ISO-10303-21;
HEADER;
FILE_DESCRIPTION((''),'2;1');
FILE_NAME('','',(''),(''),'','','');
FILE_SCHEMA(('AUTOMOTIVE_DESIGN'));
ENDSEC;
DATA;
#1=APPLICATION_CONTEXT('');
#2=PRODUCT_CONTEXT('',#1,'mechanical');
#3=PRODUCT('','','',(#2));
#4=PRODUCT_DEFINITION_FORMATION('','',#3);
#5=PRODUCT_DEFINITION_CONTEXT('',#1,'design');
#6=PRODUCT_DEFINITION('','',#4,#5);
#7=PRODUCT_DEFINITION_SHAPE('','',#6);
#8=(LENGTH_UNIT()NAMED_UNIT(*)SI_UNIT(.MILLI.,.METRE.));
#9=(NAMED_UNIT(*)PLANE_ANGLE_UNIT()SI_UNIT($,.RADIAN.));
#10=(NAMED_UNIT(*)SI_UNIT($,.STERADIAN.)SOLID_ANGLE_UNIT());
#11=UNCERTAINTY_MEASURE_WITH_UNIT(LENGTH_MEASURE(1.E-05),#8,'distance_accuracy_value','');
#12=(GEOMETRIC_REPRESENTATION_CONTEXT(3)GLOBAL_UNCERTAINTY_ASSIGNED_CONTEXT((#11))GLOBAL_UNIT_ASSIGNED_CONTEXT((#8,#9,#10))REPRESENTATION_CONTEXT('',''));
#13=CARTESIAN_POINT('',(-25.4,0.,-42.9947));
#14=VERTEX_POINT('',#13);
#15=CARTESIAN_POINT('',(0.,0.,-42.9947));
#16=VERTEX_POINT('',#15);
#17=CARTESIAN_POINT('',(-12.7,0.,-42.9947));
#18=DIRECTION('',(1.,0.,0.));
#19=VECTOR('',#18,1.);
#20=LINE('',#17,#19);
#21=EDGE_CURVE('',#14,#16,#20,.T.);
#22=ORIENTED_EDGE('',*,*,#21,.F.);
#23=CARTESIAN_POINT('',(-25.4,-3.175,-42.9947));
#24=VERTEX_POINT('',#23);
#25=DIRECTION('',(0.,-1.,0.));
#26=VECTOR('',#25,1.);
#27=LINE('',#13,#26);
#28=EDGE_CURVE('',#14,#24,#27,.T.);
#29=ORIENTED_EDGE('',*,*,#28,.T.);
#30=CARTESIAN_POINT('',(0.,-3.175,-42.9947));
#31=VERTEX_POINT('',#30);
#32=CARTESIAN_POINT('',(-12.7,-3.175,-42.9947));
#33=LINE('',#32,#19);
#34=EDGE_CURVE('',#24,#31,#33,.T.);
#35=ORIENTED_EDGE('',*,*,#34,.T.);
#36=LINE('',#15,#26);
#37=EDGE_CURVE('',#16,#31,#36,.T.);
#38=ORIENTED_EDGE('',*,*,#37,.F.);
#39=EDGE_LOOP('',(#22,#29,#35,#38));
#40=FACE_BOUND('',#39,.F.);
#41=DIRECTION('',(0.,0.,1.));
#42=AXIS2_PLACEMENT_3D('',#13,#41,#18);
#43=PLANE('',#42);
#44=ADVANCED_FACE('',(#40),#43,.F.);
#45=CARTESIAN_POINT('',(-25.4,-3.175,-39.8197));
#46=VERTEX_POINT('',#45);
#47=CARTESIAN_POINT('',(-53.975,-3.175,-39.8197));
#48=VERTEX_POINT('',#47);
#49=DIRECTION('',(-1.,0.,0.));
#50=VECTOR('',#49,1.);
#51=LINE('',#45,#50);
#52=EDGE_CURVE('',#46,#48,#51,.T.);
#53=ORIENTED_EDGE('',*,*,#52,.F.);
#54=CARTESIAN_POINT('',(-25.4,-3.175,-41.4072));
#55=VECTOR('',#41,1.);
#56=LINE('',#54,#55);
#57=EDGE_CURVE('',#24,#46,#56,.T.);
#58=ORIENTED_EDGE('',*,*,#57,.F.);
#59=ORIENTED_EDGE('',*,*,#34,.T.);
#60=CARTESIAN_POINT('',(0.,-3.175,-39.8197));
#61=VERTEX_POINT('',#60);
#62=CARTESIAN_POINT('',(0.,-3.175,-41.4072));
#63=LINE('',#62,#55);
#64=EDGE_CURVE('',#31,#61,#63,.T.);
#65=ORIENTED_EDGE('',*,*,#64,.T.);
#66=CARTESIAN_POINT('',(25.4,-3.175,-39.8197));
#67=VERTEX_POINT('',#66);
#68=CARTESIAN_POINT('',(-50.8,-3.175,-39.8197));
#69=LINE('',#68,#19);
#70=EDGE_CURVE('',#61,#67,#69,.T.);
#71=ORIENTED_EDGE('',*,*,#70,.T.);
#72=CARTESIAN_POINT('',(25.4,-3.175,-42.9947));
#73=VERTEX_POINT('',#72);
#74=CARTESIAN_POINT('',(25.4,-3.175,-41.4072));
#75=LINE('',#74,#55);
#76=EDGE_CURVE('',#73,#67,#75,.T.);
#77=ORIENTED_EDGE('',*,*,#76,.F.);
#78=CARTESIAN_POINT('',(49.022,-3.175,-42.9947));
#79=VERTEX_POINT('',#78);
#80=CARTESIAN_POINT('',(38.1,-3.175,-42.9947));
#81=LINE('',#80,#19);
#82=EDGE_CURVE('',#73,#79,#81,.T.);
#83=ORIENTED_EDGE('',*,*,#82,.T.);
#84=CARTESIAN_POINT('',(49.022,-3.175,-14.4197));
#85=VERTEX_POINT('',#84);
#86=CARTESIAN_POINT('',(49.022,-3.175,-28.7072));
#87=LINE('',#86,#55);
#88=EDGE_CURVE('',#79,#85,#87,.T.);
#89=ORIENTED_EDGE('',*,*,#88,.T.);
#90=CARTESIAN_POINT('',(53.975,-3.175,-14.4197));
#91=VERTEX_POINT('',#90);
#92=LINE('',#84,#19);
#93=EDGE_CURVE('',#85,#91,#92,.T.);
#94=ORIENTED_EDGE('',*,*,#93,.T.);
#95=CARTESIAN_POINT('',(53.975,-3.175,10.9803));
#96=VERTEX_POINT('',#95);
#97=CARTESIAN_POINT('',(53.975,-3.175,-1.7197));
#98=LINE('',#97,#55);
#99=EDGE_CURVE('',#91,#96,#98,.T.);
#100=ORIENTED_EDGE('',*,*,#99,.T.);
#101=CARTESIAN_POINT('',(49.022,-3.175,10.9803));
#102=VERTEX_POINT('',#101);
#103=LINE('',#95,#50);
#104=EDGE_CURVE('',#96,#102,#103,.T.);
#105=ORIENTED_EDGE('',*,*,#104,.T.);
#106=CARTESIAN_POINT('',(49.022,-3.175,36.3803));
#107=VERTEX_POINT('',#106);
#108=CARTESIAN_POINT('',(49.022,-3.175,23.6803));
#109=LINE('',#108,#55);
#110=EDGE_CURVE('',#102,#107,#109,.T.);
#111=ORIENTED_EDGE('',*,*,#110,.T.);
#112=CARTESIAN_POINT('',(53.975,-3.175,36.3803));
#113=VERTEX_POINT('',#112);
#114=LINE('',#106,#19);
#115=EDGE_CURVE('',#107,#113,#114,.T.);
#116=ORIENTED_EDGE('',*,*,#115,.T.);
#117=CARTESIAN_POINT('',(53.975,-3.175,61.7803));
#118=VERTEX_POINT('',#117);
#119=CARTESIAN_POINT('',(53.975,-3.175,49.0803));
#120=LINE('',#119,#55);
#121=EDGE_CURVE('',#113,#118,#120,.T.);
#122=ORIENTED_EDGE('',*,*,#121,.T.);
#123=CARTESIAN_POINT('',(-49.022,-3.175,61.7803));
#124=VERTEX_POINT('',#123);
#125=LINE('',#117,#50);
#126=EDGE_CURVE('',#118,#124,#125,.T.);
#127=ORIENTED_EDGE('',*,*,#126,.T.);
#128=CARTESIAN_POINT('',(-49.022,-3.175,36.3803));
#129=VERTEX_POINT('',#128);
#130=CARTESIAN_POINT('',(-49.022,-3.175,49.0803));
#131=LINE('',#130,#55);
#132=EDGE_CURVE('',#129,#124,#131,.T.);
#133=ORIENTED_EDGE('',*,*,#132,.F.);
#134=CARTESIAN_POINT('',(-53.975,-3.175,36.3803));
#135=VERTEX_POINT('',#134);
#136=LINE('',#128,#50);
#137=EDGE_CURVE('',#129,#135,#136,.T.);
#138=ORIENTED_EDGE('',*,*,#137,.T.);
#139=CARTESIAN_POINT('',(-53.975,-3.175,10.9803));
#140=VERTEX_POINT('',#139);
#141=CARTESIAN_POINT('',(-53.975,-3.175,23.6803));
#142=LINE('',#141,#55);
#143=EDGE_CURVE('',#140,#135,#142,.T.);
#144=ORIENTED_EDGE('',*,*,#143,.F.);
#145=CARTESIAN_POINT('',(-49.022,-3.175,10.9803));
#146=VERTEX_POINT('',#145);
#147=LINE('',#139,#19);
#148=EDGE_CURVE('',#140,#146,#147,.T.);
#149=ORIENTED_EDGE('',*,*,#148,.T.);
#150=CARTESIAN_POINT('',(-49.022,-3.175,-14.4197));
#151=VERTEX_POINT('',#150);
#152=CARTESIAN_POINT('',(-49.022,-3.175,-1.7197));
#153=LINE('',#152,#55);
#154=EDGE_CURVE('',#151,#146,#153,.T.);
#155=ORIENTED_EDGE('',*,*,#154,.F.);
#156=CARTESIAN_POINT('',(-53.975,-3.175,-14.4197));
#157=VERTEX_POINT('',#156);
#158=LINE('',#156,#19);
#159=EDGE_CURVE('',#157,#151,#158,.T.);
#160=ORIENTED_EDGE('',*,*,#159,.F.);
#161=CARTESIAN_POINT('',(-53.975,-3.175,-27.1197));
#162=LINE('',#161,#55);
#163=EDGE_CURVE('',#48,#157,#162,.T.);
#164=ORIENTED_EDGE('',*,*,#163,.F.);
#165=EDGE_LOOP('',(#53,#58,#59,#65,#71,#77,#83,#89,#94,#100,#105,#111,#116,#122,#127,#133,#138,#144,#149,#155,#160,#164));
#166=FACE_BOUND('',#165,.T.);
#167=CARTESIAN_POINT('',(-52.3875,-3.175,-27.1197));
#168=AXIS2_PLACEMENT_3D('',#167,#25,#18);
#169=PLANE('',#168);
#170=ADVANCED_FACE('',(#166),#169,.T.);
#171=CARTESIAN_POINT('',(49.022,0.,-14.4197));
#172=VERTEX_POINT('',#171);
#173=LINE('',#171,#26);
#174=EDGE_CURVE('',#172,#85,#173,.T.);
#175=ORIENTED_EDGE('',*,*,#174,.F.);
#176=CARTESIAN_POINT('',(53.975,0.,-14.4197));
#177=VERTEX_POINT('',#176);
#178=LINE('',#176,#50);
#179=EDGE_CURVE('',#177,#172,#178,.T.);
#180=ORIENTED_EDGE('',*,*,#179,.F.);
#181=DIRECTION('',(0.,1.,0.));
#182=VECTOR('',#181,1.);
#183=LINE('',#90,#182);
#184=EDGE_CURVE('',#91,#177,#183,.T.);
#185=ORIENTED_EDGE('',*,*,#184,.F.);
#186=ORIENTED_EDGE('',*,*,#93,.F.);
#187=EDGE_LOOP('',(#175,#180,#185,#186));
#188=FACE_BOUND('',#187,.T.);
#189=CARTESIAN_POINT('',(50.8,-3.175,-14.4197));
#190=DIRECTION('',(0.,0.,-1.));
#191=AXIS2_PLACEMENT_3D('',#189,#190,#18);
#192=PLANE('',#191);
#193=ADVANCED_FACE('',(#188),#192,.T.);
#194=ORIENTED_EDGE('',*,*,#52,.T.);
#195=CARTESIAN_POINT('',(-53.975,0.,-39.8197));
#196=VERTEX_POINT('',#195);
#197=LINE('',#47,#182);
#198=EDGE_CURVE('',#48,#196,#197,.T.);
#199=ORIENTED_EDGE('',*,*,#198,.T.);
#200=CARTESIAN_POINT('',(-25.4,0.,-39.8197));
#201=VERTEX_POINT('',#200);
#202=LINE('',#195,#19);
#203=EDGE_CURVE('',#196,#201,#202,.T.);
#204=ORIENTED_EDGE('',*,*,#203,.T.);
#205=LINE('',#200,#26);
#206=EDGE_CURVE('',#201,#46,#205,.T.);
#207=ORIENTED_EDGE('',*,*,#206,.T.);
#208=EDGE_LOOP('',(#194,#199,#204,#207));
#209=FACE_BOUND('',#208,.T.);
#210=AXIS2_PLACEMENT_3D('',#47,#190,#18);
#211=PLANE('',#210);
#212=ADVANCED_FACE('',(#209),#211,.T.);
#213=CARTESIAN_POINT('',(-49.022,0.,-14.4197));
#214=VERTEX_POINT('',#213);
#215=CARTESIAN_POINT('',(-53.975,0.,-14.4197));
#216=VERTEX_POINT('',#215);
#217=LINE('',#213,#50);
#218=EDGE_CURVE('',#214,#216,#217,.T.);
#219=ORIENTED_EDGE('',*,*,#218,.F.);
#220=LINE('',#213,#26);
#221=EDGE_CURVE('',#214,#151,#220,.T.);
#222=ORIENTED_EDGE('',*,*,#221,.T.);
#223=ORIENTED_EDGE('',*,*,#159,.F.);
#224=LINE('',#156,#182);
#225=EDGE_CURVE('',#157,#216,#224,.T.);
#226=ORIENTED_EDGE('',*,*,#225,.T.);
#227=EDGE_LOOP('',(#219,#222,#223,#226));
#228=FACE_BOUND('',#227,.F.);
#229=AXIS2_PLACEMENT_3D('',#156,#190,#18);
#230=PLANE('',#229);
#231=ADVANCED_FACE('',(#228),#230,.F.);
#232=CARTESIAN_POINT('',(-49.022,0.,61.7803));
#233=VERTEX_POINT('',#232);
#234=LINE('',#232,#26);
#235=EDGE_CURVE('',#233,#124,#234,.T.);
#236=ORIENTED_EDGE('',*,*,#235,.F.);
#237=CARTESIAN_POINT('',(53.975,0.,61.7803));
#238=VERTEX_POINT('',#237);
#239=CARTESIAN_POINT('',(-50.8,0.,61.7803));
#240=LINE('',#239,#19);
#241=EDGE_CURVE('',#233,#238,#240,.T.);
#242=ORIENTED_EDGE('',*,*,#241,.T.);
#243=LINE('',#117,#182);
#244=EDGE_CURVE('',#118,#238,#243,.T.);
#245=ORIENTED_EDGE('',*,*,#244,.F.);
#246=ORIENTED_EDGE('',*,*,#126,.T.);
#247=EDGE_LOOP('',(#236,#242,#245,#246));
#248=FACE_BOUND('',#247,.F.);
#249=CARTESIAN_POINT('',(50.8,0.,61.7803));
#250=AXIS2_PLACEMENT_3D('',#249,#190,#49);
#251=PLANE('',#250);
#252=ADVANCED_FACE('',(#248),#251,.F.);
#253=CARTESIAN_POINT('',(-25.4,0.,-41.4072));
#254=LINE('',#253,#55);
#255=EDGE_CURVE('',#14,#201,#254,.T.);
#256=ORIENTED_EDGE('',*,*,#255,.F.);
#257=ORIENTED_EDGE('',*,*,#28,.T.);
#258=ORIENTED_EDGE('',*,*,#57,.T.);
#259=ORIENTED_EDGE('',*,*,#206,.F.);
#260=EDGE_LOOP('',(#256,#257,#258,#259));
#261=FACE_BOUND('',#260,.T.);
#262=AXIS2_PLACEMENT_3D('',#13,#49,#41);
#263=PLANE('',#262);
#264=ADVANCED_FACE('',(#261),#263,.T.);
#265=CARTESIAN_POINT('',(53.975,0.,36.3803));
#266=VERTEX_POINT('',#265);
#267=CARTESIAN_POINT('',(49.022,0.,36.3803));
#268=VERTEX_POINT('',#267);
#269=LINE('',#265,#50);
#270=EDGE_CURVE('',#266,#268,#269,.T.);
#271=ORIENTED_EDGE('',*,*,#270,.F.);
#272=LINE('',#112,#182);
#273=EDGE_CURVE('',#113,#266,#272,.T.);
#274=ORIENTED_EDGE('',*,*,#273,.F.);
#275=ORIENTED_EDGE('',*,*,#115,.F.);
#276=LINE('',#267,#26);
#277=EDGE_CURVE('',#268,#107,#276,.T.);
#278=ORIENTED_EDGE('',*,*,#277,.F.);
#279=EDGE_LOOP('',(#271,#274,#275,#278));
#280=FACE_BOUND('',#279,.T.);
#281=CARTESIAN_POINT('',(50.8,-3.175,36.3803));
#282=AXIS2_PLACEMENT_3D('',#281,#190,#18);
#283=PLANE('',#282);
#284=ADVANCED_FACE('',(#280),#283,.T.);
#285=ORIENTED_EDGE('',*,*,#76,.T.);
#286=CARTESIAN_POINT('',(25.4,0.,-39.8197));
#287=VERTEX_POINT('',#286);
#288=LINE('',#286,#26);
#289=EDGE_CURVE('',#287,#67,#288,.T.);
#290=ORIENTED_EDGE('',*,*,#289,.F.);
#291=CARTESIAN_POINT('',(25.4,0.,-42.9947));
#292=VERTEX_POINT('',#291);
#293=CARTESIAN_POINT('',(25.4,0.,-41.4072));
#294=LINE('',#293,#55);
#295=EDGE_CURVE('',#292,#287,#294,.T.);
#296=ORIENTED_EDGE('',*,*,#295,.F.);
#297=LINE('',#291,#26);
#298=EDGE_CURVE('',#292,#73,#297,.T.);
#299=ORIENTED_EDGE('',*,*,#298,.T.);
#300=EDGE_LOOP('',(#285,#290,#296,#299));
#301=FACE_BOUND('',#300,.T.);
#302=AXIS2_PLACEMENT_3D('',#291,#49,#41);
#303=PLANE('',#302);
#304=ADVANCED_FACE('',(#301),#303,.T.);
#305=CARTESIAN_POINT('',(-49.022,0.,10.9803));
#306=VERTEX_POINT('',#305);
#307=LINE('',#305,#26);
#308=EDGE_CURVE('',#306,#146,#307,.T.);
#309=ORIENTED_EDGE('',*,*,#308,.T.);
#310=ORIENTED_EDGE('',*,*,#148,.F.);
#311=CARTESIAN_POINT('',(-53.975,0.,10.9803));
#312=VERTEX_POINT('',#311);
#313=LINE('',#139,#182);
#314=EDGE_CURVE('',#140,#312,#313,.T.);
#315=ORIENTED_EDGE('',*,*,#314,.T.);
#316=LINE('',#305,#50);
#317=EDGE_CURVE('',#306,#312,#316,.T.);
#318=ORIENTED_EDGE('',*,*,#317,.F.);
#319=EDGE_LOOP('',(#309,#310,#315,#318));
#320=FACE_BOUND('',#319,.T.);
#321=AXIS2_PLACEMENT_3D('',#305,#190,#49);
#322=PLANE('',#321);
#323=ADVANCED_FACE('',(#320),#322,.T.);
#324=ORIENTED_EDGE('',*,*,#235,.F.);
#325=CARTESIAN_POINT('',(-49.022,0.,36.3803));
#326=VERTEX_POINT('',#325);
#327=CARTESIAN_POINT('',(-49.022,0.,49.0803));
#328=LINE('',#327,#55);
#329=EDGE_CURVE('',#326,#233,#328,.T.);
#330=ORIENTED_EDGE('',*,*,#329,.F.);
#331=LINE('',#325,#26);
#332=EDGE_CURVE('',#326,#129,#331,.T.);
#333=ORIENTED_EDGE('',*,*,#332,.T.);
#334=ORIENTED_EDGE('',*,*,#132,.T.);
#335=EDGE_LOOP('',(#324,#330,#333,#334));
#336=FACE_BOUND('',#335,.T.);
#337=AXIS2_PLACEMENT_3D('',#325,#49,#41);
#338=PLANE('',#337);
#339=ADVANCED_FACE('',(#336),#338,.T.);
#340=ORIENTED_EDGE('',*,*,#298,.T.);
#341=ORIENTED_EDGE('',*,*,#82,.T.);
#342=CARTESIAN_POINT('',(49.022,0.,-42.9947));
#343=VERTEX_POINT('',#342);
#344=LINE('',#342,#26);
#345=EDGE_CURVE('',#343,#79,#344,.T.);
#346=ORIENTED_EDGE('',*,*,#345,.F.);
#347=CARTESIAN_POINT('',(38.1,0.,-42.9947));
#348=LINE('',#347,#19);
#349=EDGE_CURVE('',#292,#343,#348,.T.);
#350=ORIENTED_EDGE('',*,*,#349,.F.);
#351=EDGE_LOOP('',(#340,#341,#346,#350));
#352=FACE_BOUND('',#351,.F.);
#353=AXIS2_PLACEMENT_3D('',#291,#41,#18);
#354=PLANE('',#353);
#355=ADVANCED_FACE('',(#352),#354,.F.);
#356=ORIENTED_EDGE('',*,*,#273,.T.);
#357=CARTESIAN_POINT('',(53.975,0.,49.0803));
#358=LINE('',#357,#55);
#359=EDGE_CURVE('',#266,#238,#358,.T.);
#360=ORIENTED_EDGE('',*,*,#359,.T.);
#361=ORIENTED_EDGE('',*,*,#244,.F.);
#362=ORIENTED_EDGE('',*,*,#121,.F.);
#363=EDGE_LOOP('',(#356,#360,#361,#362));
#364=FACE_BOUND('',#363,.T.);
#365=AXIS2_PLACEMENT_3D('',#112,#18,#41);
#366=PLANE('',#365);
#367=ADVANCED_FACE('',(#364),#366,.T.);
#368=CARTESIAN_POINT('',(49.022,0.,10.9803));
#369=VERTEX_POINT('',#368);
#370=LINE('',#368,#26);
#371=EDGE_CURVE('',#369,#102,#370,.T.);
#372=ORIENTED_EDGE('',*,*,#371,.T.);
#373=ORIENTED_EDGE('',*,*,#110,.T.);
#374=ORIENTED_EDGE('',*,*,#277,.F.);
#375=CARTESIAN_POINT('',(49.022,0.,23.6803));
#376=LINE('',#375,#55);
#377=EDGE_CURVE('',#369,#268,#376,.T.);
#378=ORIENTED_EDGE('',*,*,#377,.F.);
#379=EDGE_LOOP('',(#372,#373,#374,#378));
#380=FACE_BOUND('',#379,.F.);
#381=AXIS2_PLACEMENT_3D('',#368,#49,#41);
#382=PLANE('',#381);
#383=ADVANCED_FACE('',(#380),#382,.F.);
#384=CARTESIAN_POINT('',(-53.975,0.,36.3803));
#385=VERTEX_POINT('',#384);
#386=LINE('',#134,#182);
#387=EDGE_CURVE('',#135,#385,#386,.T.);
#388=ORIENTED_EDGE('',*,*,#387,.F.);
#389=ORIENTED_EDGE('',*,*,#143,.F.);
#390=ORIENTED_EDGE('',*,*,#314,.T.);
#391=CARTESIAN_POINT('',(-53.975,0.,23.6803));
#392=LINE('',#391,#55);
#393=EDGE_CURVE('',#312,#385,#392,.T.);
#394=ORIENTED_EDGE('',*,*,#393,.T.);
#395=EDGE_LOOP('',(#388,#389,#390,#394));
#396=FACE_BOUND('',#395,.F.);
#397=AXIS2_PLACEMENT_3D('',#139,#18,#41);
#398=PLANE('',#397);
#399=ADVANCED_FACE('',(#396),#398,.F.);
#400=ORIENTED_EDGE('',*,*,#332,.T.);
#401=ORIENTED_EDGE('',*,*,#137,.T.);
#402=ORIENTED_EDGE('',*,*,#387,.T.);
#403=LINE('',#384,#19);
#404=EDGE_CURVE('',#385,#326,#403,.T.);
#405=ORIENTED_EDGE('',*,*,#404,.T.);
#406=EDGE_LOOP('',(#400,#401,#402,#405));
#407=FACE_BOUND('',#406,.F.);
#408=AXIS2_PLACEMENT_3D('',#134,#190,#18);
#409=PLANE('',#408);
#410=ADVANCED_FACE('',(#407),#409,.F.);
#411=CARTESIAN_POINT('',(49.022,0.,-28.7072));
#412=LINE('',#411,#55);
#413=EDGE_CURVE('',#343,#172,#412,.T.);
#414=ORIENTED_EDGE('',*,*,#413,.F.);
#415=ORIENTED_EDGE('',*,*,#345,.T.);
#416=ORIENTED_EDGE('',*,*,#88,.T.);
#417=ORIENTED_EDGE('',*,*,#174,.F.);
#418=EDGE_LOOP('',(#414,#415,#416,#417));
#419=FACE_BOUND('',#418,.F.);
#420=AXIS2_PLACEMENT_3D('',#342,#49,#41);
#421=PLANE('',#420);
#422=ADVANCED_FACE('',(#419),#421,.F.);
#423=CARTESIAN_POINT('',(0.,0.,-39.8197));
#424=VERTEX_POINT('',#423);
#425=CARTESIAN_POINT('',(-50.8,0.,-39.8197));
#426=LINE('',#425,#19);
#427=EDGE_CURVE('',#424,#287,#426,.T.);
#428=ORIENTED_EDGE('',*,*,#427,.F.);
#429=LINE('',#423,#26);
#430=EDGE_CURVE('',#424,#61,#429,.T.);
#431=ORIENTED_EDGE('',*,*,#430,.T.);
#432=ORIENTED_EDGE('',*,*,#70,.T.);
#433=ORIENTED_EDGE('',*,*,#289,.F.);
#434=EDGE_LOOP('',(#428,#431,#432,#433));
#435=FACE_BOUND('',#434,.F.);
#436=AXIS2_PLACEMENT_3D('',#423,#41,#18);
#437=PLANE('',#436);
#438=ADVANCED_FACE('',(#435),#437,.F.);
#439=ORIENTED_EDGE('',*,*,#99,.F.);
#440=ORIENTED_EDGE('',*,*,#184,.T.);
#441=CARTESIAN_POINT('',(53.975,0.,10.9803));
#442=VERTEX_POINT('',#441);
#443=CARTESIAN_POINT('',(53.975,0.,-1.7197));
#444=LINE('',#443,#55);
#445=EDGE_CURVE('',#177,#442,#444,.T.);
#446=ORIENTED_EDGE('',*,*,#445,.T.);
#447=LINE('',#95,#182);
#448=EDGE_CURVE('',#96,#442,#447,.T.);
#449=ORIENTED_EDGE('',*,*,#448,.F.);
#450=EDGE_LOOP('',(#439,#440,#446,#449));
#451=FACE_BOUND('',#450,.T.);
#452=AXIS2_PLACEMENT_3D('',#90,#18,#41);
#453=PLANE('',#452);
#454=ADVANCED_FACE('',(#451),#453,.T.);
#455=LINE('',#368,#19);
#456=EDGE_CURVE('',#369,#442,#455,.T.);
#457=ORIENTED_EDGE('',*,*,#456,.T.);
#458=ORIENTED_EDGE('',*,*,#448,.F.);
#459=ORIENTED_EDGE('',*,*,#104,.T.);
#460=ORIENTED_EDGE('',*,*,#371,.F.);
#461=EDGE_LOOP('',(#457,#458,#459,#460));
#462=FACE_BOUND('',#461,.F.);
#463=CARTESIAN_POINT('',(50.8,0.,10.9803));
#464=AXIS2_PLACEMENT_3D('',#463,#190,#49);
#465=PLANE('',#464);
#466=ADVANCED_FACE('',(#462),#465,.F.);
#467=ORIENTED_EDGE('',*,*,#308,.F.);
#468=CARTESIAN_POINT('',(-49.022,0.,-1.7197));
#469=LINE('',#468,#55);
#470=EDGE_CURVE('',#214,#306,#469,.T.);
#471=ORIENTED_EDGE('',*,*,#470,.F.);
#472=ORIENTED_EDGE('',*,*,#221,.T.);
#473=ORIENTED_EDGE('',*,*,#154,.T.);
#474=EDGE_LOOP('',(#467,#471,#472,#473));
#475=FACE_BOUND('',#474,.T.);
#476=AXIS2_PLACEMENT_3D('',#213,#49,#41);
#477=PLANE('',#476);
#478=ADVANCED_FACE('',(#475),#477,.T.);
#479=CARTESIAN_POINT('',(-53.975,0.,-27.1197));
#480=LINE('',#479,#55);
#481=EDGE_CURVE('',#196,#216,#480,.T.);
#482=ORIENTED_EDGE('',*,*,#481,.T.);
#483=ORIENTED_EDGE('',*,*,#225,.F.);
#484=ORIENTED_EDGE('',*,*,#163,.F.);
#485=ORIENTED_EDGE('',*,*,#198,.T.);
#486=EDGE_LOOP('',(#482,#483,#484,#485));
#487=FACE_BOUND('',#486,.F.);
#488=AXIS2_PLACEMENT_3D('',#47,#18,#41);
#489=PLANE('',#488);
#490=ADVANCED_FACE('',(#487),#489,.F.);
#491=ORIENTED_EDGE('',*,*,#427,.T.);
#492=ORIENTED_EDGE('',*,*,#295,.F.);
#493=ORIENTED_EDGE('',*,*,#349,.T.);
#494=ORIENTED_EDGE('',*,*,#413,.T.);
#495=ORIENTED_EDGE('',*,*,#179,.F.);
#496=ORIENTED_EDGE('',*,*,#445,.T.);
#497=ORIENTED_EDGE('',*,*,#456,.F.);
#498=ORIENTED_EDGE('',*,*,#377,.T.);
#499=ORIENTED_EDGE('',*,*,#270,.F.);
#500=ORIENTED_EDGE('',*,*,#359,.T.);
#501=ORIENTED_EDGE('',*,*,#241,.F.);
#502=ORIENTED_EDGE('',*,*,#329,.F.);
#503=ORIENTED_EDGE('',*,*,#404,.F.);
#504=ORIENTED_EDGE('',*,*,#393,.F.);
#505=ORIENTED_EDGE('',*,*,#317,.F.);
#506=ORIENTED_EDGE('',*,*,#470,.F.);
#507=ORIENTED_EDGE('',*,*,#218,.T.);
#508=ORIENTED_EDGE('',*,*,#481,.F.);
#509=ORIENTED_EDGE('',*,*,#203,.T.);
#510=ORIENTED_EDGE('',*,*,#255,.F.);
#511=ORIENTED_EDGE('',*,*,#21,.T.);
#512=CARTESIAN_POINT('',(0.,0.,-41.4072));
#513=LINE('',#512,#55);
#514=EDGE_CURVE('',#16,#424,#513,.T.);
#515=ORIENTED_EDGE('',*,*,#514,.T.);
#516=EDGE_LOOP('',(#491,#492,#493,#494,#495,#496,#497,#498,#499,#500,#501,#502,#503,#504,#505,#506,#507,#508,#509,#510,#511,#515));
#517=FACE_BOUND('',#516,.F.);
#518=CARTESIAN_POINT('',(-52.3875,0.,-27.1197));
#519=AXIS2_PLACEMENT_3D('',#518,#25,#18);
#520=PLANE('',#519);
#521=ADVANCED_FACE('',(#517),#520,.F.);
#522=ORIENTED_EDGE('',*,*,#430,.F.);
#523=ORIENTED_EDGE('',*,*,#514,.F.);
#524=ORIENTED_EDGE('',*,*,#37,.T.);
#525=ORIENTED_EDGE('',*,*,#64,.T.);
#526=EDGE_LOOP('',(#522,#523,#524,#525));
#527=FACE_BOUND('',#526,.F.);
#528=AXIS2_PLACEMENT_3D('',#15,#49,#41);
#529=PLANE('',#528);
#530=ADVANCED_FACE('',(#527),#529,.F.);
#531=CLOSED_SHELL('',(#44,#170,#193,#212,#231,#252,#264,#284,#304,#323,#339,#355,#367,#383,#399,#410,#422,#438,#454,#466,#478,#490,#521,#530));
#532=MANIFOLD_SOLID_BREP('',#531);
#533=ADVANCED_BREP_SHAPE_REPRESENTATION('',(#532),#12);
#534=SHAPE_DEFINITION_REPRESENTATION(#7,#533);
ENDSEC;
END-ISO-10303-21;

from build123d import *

# Parameters (mm, degrees)
F0_W     = 25.4
F0_H     = 3.175
F1_DEPTH = 3.175
F2_W     = 3.175
F2_H     = 25.4
F3_DEPTH = 3.175
F4_W     = 1.778
F4_H     = 25.4
F4_H_2   = 28.575
F5_DEPTH = 3.175


with BuildPart() as f1:
    # F0 (on Front) → F1 (new body)
    with BuildSketch(Plane.XZ):
        Polygon((25.4, -39.8197), (50.8, -39.8197), (50.8, 61.7803), (-50.8, 61.7803), (-50.8, -39.8197), (-25.4, -39.8197), (0, -39.8197), align=None)
        with Locations((-12.7, -41.4072)):
            Rectangle(F0_W, F0_H)
        with Locations((38.1, -41.4072)):
            Rectangle(F0_W, F0_H)
    extrude(amount=F1_DEPTH)

    # F2 (on face) → F3 (join)
    with BuildSketch(Plane.XZ.offset(3.175)):
        with Locations((-52.3875, 23.6803)):
            Rectangle(F2_W, F2_H)
        with Locations((-52.3875, -27.1197)):
            Rectangle(F2_W, F2_H)
        with Locations((52.3875, 49.0803)):
            Rectangle(F2_W, F2_H)
        with Locations((52.3875, -1.7197)):
            Rectangle(F2_W, F2_H)
    extrude(amount=-F3_DEPTH)

    # F4 (on face) → F5 (cut)
    with BuildSketch(Plane(origin=(0, 0, 0), x_dir=(-1, 0, 0), z_dir=(0, 1, 0))):
        with Locations((-49.911, 23.6803)):
            Rectangle(F4_W, F4_H)
        with Locations((49.911, 49.0803)):
            Rectangle(F4_W, F4_H)
        with Locations((49.911, -1.7197)):
            Rectangle(F4_W, F4_H)
        with Locations((-49.911, -28.7072)):
            Rectangle(F4_W, F4_H_2)
    extrude(amount=-F5_DEPTH, mode=Mode.SUBTRACT)


solid = f1.part
